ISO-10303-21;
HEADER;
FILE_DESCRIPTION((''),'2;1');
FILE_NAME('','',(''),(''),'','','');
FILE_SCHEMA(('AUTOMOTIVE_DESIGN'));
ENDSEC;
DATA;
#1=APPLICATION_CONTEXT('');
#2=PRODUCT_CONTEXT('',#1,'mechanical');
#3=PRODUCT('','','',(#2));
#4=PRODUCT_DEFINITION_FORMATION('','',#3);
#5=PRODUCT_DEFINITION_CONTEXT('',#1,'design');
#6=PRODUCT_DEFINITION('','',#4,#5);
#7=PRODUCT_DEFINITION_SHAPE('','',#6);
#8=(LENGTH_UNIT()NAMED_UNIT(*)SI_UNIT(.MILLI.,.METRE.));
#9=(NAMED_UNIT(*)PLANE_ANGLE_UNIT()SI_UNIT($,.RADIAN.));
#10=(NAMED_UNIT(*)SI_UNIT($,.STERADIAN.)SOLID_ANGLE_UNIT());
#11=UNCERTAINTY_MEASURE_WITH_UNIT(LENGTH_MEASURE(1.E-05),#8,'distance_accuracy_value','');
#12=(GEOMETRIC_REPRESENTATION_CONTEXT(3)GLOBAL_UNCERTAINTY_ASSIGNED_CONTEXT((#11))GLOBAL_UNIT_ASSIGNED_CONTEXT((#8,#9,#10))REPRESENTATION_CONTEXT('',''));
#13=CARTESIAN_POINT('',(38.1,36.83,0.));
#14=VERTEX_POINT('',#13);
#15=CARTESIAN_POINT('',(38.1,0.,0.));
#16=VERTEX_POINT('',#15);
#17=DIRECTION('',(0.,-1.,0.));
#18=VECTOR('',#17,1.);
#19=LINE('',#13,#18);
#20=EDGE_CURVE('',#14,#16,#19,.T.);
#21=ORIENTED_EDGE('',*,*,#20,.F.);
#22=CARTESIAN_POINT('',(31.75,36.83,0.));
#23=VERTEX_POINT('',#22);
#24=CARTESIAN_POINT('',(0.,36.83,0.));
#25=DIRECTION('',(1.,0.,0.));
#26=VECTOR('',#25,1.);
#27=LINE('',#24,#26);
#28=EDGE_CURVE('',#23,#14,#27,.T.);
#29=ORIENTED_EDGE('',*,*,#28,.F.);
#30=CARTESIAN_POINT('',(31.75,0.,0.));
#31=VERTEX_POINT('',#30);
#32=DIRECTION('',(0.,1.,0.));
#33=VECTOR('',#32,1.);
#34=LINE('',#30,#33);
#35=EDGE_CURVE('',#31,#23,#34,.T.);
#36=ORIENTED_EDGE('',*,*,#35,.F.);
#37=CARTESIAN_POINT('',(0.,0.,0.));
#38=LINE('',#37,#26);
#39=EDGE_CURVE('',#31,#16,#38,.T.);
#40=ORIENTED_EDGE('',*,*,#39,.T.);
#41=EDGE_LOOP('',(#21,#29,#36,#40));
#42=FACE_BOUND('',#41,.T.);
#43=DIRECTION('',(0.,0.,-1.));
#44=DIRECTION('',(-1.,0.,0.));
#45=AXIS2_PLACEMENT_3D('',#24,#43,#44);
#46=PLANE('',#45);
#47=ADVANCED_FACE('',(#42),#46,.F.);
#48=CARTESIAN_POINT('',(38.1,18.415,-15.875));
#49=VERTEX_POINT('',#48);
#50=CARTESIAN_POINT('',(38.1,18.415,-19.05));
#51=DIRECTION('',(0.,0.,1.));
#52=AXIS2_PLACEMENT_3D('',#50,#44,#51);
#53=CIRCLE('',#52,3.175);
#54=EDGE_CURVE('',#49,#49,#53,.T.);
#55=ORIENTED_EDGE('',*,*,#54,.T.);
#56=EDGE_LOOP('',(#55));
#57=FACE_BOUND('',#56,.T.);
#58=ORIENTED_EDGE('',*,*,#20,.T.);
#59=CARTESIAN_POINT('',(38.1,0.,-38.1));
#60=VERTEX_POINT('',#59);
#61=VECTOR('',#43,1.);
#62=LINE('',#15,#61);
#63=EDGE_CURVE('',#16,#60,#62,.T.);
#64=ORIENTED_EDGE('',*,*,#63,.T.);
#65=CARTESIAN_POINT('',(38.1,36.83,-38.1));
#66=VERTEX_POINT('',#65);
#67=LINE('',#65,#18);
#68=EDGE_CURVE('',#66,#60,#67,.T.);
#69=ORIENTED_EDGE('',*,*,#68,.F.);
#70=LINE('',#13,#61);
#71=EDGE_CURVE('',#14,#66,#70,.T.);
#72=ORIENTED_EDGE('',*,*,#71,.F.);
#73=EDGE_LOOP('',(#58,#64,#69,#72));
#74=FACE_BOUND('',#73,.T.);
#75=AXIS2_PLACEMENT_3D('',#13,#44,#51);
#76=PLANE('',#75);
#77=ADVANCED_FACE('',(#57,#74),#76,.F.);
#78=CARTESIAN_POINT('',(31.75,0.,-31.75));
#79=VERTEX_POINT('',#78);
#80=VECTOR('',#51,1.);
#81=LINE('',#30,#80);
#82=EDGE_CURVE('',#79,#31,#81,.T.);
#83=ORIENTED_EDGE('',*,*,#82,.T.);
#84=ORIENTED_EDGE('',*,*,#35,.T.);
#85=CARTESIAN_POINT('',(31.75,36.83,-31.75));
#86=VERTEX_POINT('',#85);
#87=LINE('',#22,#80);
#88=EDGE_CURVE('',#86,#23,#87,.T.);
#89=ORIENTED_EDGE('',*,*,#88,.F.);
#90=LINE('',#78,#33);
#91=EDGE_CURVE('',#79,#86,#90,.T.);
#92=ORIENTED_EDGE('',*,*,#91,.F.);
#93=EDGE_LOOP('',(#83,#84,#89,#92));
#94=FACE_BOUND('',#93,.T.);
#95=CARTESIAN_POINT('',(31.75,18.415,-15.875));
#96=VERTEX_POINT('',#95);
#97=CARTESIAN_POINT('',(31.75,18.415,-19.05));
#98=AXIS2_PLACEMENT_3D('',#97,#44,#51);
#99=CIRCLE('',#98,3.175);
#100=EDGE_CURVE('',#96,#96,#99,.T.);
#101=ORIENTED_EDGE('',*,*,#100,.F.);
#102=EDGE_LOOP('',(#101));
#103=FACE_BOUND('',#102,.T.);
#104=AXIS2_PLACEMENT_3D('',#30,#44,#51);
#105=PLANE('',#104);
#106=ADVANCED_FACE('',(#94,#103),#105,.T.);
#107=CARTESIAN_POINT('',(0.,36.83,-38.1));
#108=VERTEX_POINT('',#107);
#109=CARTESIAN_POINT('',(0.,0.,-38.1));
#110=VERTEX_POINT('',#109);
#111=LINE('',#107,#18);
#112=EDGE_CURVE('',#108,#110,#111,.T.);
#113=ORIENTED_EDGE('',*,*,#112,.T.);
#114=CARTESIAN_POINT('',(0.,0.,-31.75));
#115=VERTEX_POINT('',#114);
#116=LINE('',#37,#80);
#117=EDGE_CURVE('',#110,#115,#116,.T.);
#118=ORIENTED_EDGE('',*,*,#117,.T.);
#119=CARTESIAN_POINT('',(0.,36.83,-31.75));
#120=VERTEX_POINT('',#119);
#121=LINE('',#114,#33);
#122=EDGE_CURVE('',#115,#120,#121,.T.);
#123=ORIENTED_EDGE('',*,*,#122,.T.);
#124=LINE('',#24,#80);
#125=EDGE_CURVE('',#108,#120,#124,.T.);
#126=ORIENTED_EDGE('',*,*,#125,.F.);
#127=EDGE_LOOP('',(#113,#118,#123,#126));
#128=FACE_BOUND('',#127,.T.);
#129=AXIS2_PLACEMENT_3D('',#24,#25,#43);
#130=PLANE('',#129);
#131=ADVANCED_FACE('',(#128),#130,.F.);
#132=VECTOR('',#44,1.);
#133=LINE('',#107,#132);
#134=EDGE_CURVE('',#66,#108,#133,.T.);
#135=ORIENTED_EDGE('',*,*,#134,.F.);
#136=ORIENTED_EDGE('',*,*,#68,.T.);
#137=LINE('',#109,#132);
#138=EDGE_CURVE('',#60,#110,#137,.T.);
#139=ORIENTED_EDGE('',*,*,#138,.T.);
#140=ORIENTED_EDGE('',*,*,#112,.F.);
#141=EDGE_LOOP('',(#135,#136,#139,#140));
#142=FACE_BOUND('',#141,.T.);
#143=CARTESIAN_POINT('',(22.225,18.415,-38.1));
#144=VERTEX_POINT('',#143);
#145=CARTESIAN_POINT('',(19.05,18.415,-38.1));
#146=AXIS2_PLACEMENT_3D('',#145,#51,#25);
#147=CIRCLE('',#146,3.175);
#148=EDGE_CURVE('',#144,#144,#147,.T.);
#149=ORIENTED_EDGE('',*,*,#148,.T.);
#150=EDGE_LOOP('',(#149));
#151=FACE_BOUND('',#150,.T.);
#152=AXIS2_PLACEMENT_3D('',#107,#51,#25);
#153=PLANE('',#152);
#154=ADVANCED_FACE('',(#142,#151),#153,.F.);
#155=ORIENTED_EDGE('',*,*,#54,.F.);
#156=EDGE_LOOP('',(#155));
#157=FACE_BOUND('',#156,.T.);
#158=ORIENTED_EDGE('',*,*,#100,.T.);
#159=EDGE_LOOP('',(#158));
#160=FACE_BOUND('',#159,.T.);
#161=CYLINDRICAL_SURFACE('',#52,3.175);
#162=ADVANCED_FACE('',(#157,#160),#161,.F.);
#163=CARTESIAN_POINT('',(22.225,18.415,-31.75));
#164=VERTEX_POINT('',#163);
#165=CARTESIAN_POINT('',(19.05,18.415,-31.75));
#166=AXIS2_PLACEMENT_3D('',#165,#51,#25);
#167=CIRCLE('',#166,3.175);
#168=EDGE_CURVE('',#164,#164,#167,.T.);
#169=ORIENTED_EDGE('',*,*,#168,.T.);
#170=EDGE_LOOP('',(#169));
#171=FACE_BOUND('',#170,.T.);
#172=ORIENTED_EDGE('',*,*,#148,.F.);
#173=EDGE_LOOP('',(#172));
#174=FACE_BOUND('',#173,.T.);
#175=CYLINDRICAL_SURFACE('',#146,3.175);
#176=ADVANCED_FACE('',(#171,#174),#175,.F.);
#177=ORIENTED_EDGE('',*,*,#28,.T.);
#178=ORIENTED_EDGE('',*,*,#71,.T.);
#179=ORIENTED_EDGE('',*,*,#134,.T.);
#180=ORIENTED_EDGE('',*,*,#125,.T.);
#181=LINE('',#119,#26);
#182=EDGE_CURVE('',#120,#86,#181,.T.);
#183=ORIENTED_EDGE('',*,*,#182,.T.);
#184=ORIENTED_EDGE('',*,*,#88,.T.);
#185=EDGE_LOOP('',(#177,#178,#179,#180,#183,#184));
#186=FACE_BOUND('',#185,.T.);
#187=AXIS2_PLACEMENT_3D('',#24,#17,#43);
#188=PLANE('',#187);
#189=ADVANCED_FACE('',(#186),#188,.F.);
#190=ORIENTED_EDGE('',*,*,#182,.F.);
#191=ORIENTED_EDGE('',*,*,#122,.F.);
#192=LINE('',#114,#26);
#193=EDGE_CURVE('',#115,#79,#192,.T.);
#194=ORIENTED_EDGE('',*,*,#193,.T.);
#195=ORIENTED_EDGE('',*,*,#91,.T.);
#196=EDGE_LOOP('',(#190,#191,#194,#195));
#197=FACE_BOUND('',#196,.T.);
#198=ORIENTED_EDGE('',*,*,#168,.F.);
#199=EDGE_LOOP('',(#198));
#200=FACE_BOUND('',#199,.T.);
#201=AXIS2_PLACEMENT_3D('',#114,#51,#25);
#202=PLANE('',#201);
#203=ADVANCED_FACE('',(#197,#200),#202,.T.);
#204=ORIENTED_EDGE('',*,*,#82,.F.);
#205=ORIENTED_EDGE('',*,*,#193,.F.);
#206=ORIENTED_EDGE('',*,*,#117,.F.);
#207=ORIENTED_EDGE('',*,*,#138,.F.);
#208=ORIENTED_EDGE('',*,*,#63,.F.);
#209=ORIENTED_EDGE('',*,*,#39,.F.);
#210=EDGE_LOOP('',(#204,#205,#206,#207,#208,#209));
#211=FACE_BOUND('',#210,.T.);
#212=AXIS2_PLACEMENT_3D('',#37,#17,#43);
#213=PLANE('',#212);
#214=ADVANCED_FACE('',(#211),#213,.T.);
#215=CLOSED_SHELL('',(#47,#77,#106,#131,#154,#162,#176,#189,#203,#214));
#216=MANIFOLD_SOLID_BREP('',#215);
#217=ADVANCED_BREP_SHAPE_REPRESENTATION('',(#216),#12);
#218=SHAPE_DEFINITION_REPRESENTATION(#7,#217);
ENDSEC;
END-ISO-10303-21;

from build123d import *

# Parameters (mm, degrees)
SKETCH1_W           = 38.1
SKETCH1_H           = 38.1
BOSS_EXTRUDE1_DEPTH = 36.83
SKETCH2_W           = 31.75
SKETCH2_H           = 31.75
CUT_EXTRUDE1_DEPTH  = 66.266139
SKETCH4_R           = 3.175
CUT_EXTRUDE2_DEPTH  = 62.774763456
SKETCH3_R           = 3.175
CUT_EXTRUDE3_DEPTH  = 62.774763456


with BuildPart() as part:
    # Sketch1 → Boss-Extrude1 (new body)
    with BuildSketch(Plane(origin=(0, 0, 0), x_dir=(1, 0, 0), z_dir=(0, 1, 0))):
        with Locations((19.05, 19.05)):
            Rectangle(SKETCH1_W, SKETCH1_H)
    extrude(amount=BOSS_EXTRUDE1_DEPTH)

    # Sketch2 → Cut-Extrude1 (cut, through all)
    with BuildSketch(Plane(origin=(0, 36.83, 0), x_dir=(1, 0, 0), z_dir=(0, 1, 0))):
        with Locations((15.875, 15.875)):
            Rectangle(SKETCH2_W, SKETCH2_H)
    extrude(amount=-CUT_EXTRUDE1_DEPTH, mode=Mode.SUBTRACT)

    # Sketch4 → Cut-Extrude2 (cut, through all)
    with BuildSketch(Plane.ZY.offset(-31.75)):
        with Locations((-19.05, 18.415)):
            Circle(SKETCH4_R)
    extrude(amount=-CUT_EXTRUDE2_DEPTH, mode=Mode.SUBTRACT)

    # Sketch3 → Cut-Extrude3 (cut, through all)
    with BuildSketch(Plane.XY.offset(-31.75)):
        with Locations((19.05, 18.415)):
            Circle(SKETCH3_R)
    extrude(amount=-CUT_EXTRUDE3_DEPTH, mode=Mode.SUBTRACT)


solid = part.part
